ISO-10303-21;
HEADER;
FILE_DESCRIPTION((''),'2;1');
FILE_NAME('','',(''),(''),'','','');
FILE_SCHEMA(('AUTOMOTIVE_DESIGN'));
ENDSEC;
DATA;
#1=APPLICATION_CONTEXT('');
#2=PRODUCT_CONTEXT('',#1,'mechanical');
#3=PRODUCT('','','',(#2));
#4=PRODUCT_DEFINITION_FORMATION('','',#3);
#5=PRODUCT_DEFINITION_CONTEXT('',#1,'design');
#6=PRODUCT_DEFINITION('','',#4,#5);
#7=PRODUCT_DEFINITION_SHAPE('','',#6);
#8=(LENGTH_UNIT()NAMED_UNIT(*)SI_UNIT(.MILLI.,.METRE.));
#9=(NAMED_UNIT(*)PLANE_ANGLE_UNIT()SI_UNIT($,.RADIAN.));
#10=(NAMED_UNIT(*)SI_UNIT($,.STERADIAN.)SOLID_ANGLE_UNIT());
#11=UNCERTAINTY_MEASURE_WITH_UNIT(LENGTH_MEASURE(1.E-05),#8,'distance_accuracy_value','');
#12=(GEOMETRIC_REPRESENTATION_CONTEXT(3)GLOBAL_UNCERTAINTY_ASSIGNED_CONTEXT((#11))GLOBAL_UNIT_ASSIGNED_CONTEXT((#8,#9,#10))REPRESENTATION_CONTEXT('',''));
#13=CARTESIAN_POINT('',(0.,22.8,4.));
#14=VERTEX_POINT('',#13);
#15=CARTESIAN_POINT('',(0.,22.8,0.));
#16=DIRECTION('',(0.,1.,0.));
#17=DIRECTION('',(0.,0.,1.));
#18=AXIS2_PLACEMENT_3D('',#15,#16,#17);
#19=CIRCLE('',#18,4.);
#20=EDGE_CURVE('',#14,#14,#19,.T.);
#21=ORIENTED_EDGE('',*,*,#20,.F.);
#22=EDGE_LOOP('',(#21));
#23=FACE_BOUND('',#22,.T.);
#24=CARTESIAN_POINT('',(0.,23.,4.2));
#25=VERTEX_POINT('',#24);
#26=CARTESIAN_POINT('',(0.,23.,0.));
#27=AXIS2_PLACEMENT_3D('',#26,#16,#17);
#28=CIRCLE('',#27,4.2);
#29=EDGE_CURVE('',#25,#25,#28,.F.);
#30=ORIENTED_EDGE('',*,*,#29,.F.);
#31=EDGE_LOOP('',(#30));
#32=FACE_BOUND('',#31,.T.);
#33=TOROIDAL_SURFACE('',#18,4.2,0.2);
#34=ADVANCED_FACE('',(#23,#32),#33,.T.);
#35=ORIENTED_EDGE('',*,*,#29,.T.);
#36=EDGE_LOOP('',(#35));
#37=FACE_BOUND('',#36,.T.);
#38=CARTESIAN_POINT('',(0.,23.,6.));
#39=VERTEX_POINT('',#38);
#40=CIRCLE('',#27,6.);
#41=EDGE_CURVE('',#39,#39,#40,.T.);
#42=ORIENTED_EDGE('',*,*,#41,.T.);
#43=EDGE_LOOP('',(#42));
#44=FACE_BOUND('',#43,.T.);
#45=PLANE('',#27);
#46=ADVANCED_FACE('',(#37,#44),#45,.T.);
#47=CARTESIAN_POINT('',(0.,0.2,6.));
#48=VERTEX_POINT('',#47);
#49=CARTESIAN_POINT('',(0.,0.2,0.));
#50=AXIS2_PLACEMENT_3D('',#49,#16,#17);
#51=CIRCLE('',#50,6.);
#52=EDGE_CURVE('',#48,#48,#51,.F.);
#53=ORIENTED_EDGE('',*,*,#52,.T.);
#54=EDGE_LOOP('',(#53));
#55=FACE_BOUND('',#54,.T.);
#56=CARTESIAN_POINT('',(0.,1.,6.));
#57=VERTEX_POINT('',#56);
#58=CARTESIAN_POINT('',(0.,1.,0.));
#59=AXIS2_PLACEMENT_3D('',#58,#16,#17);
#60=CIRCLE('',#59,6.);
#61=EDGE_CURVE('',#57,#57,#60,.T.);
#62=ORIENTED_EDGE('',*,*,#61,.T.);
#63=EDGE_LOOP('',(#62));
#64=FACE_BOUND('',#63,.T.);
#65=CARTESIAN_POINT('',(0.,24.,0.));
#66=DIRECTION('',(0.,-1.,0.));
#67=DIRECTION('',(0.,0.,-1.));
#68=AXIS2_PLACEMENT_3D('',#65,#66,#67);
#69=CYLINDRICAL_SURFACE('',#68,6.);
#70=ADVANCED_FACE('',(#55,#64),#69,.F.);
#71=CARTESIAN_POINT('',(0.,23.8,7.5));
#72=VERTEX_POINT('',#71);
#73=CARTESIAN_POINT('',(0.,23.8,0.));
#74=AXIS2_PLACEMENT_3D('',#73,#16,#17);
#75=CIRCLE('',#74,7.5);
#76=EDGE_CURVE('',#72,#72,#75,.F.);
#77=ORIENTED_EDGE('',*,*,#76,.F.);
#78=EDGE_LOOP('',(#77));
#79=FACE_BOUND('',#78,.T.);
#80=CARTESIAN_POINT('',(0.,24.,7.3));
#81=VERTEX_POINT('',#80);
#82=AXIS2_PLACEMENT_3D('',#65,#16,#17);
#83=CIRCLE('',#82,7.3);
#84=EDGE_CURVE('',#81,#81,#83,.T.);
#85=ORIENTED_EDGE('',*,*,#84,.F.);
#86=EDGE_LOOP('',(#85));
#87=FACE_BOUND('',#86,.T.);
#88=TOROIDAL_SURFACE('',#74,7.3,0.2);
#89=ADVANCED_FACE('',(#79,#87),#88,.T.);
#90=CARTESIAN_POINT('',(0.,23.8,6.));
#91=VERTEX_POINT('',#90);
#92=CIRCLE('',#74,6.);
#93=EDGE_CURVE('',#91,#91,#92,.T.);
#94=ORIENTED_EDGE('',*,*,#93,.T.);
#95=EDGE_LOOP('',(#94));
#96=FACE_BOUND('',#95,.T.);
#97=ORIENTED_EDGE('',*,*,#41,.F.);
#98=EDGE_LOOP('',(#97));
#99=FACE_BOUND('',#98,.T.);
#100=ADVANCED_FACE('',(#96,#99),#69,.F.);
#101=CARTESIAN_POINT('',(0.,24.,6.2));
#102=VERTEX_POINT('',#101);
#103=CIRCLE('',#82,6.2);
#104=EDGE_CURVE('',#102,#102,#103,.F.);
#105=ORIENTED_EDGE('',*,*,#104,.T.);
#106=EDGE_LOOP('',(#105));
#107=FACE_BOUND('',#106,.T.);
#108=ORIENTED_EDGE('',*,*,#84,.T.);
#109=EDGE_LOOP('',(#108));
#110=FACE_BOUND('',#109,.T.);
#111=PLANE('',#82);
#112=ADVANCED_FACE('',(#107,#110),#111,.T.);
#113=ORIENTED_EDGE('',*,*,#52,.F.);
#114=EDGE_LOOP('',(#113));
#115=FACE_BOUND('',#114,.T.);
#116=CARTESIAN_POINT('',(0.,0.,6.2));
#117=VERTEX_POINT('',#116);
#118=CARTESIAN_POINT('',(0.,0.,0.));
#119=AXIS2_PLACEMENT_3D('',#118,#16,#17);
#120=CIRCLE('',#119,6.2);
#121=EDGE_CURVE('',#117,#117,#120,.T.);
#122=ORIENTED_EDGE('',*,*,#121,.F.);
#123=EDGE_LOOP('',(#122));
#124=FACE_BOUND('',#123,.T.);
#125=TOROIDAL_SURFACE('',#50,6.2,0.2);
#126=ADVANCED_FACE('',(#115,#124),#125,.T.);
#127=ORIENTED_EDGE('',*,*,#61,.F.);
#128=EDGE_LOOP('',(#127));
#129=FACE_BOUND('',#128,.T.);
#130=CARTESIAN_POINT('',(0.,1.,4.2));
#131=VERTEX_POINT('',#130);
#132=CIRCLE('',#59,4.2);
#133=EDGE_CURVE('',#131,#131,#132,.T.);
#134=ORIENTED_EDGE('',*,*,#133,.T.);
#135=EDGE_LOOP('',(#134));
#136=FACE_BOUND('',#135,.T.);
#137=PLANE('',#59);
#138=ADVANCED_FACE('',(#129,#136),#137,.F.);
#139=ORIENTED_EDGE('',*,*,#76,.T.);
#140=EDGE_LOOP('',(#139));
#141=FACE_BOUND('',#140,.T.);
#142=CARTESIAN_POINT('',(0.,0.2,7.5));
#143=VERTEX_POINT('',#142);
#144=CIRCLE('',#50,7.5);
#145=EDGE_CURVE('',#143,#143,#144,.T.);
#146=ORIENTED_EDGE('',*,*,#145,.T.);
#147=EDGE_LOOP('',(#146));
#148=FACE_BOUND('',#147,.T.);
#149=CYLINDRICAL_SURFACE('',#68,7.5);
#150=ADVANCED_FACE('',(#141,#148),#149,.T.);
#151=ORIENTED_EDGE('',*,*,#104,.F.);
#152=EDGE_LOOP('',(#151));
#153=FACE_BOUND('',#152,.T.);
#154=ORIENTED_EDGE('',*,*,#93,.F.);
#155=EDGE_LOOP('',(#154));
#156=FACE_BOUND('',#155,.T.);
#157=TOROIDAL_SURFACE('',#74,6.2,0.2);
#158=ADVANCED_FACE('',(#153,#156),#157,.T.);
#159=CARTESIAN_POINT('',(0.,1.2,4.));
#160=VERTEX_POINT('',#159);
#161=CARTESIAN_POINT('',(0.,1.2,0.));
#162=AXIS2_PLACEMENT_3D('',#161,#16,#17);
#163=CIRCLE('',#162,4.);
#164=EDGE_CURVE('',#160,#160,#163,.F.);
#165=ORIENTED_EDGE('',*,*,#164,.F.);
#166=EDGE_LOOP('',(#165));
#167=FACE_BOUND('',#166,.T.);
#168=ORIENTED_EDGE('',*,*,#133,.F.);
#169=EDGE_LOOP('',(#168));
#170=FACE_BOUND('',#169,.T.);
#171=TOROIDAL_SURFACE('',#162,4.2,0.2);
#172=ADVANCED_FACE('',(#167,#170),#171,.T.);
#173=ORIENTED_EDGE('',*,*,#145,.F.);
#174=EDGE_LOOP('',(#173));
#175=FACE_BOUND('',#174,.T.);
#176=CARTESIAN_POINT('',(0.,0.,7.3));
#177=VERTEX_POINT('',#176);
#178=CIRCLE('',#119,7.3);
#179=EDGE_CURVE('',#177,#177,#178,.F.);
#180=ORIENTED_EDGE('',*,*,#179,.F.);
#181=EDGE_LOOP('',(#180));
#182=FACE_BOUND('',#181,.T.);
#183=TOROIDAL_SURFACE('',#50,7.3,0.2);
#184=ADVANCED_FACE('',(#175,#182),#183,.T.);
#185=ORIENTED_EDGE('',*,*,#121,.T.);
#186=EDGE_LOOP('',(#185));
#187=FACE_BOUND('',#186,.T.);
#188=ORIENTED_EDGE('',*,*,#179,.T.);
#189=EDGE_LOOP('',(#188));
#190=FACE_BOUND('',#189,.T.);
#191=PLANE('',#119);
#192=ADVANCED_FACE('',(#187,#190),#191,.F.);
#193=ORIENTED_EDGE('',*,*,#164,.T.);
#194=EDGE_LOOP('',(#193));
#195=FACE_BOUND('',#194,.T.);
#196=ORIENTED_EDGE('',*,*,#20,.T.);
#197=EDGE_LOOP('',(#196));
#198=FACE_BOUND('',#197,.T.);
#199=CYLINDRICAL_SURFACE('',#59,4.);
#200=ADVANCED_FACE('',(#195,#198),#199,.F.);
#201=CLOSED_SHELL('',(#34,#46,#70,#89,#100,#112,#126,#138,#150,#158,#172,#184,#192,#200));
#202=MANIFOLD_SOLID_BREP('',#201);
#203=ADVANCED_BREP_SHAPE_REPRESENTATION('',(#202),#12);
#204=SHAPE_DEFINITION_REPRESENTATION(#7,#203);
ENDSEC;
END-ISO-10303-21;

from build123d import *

# Parameters (mm, degrees)
SKETCH1_R           = 7.5
SKETCH1_R_2         = 6
BOSS_EXTRUDE1_DEPTH = 24
SKETCH2_R           = 6
SKETCH2_R_2         = 4
BOSS_EXTRUDE2_DEPTH = 22
FILLET1_R           = 0.2


with BuildPart() as part:
    # Sketch1 → Boss-Extrude1 (new body)
    with BuildSketch(Plane(origin=(0, 0, 0), x_dir=(1, 0, 0), z_dir=(0, 1, 0))):
        Circle(SKETCH1_R)
        Circle(SKETCH1_R_2, mode=Mode.SUBTRACT)
    extrude(amount=BOSS_EXTRUDE1_DEPTH)

    # Sketch2 → Boss-Extrude2 (add)
    with BuildSketch(Plane(origin=(0, 23, 0), x_dir=(1, 0, 0), z_dir=(0, 1, 0))):
        Circle(SKETCH2_R)
        Circle(SKETCH2_R_2, mode=Mode.SUBTRACT)
    extrude(amount=-BOSS_EXTRUDE2_DEPTH)

    # Fillet1
    fillet1_edges = [part.edges().sort_by_distance(p)[0] for p in [
        (-4, 1, 0),
        (-4, 23, 0),
        (-7.5, 0, 0),
        (-7.5, 24, 0),
        (-6, 0, 0),
        (-6, 24, 0),
    ]]
    fillet(fillet1_edges, radius=FILLET1_R)


solid = part.part
